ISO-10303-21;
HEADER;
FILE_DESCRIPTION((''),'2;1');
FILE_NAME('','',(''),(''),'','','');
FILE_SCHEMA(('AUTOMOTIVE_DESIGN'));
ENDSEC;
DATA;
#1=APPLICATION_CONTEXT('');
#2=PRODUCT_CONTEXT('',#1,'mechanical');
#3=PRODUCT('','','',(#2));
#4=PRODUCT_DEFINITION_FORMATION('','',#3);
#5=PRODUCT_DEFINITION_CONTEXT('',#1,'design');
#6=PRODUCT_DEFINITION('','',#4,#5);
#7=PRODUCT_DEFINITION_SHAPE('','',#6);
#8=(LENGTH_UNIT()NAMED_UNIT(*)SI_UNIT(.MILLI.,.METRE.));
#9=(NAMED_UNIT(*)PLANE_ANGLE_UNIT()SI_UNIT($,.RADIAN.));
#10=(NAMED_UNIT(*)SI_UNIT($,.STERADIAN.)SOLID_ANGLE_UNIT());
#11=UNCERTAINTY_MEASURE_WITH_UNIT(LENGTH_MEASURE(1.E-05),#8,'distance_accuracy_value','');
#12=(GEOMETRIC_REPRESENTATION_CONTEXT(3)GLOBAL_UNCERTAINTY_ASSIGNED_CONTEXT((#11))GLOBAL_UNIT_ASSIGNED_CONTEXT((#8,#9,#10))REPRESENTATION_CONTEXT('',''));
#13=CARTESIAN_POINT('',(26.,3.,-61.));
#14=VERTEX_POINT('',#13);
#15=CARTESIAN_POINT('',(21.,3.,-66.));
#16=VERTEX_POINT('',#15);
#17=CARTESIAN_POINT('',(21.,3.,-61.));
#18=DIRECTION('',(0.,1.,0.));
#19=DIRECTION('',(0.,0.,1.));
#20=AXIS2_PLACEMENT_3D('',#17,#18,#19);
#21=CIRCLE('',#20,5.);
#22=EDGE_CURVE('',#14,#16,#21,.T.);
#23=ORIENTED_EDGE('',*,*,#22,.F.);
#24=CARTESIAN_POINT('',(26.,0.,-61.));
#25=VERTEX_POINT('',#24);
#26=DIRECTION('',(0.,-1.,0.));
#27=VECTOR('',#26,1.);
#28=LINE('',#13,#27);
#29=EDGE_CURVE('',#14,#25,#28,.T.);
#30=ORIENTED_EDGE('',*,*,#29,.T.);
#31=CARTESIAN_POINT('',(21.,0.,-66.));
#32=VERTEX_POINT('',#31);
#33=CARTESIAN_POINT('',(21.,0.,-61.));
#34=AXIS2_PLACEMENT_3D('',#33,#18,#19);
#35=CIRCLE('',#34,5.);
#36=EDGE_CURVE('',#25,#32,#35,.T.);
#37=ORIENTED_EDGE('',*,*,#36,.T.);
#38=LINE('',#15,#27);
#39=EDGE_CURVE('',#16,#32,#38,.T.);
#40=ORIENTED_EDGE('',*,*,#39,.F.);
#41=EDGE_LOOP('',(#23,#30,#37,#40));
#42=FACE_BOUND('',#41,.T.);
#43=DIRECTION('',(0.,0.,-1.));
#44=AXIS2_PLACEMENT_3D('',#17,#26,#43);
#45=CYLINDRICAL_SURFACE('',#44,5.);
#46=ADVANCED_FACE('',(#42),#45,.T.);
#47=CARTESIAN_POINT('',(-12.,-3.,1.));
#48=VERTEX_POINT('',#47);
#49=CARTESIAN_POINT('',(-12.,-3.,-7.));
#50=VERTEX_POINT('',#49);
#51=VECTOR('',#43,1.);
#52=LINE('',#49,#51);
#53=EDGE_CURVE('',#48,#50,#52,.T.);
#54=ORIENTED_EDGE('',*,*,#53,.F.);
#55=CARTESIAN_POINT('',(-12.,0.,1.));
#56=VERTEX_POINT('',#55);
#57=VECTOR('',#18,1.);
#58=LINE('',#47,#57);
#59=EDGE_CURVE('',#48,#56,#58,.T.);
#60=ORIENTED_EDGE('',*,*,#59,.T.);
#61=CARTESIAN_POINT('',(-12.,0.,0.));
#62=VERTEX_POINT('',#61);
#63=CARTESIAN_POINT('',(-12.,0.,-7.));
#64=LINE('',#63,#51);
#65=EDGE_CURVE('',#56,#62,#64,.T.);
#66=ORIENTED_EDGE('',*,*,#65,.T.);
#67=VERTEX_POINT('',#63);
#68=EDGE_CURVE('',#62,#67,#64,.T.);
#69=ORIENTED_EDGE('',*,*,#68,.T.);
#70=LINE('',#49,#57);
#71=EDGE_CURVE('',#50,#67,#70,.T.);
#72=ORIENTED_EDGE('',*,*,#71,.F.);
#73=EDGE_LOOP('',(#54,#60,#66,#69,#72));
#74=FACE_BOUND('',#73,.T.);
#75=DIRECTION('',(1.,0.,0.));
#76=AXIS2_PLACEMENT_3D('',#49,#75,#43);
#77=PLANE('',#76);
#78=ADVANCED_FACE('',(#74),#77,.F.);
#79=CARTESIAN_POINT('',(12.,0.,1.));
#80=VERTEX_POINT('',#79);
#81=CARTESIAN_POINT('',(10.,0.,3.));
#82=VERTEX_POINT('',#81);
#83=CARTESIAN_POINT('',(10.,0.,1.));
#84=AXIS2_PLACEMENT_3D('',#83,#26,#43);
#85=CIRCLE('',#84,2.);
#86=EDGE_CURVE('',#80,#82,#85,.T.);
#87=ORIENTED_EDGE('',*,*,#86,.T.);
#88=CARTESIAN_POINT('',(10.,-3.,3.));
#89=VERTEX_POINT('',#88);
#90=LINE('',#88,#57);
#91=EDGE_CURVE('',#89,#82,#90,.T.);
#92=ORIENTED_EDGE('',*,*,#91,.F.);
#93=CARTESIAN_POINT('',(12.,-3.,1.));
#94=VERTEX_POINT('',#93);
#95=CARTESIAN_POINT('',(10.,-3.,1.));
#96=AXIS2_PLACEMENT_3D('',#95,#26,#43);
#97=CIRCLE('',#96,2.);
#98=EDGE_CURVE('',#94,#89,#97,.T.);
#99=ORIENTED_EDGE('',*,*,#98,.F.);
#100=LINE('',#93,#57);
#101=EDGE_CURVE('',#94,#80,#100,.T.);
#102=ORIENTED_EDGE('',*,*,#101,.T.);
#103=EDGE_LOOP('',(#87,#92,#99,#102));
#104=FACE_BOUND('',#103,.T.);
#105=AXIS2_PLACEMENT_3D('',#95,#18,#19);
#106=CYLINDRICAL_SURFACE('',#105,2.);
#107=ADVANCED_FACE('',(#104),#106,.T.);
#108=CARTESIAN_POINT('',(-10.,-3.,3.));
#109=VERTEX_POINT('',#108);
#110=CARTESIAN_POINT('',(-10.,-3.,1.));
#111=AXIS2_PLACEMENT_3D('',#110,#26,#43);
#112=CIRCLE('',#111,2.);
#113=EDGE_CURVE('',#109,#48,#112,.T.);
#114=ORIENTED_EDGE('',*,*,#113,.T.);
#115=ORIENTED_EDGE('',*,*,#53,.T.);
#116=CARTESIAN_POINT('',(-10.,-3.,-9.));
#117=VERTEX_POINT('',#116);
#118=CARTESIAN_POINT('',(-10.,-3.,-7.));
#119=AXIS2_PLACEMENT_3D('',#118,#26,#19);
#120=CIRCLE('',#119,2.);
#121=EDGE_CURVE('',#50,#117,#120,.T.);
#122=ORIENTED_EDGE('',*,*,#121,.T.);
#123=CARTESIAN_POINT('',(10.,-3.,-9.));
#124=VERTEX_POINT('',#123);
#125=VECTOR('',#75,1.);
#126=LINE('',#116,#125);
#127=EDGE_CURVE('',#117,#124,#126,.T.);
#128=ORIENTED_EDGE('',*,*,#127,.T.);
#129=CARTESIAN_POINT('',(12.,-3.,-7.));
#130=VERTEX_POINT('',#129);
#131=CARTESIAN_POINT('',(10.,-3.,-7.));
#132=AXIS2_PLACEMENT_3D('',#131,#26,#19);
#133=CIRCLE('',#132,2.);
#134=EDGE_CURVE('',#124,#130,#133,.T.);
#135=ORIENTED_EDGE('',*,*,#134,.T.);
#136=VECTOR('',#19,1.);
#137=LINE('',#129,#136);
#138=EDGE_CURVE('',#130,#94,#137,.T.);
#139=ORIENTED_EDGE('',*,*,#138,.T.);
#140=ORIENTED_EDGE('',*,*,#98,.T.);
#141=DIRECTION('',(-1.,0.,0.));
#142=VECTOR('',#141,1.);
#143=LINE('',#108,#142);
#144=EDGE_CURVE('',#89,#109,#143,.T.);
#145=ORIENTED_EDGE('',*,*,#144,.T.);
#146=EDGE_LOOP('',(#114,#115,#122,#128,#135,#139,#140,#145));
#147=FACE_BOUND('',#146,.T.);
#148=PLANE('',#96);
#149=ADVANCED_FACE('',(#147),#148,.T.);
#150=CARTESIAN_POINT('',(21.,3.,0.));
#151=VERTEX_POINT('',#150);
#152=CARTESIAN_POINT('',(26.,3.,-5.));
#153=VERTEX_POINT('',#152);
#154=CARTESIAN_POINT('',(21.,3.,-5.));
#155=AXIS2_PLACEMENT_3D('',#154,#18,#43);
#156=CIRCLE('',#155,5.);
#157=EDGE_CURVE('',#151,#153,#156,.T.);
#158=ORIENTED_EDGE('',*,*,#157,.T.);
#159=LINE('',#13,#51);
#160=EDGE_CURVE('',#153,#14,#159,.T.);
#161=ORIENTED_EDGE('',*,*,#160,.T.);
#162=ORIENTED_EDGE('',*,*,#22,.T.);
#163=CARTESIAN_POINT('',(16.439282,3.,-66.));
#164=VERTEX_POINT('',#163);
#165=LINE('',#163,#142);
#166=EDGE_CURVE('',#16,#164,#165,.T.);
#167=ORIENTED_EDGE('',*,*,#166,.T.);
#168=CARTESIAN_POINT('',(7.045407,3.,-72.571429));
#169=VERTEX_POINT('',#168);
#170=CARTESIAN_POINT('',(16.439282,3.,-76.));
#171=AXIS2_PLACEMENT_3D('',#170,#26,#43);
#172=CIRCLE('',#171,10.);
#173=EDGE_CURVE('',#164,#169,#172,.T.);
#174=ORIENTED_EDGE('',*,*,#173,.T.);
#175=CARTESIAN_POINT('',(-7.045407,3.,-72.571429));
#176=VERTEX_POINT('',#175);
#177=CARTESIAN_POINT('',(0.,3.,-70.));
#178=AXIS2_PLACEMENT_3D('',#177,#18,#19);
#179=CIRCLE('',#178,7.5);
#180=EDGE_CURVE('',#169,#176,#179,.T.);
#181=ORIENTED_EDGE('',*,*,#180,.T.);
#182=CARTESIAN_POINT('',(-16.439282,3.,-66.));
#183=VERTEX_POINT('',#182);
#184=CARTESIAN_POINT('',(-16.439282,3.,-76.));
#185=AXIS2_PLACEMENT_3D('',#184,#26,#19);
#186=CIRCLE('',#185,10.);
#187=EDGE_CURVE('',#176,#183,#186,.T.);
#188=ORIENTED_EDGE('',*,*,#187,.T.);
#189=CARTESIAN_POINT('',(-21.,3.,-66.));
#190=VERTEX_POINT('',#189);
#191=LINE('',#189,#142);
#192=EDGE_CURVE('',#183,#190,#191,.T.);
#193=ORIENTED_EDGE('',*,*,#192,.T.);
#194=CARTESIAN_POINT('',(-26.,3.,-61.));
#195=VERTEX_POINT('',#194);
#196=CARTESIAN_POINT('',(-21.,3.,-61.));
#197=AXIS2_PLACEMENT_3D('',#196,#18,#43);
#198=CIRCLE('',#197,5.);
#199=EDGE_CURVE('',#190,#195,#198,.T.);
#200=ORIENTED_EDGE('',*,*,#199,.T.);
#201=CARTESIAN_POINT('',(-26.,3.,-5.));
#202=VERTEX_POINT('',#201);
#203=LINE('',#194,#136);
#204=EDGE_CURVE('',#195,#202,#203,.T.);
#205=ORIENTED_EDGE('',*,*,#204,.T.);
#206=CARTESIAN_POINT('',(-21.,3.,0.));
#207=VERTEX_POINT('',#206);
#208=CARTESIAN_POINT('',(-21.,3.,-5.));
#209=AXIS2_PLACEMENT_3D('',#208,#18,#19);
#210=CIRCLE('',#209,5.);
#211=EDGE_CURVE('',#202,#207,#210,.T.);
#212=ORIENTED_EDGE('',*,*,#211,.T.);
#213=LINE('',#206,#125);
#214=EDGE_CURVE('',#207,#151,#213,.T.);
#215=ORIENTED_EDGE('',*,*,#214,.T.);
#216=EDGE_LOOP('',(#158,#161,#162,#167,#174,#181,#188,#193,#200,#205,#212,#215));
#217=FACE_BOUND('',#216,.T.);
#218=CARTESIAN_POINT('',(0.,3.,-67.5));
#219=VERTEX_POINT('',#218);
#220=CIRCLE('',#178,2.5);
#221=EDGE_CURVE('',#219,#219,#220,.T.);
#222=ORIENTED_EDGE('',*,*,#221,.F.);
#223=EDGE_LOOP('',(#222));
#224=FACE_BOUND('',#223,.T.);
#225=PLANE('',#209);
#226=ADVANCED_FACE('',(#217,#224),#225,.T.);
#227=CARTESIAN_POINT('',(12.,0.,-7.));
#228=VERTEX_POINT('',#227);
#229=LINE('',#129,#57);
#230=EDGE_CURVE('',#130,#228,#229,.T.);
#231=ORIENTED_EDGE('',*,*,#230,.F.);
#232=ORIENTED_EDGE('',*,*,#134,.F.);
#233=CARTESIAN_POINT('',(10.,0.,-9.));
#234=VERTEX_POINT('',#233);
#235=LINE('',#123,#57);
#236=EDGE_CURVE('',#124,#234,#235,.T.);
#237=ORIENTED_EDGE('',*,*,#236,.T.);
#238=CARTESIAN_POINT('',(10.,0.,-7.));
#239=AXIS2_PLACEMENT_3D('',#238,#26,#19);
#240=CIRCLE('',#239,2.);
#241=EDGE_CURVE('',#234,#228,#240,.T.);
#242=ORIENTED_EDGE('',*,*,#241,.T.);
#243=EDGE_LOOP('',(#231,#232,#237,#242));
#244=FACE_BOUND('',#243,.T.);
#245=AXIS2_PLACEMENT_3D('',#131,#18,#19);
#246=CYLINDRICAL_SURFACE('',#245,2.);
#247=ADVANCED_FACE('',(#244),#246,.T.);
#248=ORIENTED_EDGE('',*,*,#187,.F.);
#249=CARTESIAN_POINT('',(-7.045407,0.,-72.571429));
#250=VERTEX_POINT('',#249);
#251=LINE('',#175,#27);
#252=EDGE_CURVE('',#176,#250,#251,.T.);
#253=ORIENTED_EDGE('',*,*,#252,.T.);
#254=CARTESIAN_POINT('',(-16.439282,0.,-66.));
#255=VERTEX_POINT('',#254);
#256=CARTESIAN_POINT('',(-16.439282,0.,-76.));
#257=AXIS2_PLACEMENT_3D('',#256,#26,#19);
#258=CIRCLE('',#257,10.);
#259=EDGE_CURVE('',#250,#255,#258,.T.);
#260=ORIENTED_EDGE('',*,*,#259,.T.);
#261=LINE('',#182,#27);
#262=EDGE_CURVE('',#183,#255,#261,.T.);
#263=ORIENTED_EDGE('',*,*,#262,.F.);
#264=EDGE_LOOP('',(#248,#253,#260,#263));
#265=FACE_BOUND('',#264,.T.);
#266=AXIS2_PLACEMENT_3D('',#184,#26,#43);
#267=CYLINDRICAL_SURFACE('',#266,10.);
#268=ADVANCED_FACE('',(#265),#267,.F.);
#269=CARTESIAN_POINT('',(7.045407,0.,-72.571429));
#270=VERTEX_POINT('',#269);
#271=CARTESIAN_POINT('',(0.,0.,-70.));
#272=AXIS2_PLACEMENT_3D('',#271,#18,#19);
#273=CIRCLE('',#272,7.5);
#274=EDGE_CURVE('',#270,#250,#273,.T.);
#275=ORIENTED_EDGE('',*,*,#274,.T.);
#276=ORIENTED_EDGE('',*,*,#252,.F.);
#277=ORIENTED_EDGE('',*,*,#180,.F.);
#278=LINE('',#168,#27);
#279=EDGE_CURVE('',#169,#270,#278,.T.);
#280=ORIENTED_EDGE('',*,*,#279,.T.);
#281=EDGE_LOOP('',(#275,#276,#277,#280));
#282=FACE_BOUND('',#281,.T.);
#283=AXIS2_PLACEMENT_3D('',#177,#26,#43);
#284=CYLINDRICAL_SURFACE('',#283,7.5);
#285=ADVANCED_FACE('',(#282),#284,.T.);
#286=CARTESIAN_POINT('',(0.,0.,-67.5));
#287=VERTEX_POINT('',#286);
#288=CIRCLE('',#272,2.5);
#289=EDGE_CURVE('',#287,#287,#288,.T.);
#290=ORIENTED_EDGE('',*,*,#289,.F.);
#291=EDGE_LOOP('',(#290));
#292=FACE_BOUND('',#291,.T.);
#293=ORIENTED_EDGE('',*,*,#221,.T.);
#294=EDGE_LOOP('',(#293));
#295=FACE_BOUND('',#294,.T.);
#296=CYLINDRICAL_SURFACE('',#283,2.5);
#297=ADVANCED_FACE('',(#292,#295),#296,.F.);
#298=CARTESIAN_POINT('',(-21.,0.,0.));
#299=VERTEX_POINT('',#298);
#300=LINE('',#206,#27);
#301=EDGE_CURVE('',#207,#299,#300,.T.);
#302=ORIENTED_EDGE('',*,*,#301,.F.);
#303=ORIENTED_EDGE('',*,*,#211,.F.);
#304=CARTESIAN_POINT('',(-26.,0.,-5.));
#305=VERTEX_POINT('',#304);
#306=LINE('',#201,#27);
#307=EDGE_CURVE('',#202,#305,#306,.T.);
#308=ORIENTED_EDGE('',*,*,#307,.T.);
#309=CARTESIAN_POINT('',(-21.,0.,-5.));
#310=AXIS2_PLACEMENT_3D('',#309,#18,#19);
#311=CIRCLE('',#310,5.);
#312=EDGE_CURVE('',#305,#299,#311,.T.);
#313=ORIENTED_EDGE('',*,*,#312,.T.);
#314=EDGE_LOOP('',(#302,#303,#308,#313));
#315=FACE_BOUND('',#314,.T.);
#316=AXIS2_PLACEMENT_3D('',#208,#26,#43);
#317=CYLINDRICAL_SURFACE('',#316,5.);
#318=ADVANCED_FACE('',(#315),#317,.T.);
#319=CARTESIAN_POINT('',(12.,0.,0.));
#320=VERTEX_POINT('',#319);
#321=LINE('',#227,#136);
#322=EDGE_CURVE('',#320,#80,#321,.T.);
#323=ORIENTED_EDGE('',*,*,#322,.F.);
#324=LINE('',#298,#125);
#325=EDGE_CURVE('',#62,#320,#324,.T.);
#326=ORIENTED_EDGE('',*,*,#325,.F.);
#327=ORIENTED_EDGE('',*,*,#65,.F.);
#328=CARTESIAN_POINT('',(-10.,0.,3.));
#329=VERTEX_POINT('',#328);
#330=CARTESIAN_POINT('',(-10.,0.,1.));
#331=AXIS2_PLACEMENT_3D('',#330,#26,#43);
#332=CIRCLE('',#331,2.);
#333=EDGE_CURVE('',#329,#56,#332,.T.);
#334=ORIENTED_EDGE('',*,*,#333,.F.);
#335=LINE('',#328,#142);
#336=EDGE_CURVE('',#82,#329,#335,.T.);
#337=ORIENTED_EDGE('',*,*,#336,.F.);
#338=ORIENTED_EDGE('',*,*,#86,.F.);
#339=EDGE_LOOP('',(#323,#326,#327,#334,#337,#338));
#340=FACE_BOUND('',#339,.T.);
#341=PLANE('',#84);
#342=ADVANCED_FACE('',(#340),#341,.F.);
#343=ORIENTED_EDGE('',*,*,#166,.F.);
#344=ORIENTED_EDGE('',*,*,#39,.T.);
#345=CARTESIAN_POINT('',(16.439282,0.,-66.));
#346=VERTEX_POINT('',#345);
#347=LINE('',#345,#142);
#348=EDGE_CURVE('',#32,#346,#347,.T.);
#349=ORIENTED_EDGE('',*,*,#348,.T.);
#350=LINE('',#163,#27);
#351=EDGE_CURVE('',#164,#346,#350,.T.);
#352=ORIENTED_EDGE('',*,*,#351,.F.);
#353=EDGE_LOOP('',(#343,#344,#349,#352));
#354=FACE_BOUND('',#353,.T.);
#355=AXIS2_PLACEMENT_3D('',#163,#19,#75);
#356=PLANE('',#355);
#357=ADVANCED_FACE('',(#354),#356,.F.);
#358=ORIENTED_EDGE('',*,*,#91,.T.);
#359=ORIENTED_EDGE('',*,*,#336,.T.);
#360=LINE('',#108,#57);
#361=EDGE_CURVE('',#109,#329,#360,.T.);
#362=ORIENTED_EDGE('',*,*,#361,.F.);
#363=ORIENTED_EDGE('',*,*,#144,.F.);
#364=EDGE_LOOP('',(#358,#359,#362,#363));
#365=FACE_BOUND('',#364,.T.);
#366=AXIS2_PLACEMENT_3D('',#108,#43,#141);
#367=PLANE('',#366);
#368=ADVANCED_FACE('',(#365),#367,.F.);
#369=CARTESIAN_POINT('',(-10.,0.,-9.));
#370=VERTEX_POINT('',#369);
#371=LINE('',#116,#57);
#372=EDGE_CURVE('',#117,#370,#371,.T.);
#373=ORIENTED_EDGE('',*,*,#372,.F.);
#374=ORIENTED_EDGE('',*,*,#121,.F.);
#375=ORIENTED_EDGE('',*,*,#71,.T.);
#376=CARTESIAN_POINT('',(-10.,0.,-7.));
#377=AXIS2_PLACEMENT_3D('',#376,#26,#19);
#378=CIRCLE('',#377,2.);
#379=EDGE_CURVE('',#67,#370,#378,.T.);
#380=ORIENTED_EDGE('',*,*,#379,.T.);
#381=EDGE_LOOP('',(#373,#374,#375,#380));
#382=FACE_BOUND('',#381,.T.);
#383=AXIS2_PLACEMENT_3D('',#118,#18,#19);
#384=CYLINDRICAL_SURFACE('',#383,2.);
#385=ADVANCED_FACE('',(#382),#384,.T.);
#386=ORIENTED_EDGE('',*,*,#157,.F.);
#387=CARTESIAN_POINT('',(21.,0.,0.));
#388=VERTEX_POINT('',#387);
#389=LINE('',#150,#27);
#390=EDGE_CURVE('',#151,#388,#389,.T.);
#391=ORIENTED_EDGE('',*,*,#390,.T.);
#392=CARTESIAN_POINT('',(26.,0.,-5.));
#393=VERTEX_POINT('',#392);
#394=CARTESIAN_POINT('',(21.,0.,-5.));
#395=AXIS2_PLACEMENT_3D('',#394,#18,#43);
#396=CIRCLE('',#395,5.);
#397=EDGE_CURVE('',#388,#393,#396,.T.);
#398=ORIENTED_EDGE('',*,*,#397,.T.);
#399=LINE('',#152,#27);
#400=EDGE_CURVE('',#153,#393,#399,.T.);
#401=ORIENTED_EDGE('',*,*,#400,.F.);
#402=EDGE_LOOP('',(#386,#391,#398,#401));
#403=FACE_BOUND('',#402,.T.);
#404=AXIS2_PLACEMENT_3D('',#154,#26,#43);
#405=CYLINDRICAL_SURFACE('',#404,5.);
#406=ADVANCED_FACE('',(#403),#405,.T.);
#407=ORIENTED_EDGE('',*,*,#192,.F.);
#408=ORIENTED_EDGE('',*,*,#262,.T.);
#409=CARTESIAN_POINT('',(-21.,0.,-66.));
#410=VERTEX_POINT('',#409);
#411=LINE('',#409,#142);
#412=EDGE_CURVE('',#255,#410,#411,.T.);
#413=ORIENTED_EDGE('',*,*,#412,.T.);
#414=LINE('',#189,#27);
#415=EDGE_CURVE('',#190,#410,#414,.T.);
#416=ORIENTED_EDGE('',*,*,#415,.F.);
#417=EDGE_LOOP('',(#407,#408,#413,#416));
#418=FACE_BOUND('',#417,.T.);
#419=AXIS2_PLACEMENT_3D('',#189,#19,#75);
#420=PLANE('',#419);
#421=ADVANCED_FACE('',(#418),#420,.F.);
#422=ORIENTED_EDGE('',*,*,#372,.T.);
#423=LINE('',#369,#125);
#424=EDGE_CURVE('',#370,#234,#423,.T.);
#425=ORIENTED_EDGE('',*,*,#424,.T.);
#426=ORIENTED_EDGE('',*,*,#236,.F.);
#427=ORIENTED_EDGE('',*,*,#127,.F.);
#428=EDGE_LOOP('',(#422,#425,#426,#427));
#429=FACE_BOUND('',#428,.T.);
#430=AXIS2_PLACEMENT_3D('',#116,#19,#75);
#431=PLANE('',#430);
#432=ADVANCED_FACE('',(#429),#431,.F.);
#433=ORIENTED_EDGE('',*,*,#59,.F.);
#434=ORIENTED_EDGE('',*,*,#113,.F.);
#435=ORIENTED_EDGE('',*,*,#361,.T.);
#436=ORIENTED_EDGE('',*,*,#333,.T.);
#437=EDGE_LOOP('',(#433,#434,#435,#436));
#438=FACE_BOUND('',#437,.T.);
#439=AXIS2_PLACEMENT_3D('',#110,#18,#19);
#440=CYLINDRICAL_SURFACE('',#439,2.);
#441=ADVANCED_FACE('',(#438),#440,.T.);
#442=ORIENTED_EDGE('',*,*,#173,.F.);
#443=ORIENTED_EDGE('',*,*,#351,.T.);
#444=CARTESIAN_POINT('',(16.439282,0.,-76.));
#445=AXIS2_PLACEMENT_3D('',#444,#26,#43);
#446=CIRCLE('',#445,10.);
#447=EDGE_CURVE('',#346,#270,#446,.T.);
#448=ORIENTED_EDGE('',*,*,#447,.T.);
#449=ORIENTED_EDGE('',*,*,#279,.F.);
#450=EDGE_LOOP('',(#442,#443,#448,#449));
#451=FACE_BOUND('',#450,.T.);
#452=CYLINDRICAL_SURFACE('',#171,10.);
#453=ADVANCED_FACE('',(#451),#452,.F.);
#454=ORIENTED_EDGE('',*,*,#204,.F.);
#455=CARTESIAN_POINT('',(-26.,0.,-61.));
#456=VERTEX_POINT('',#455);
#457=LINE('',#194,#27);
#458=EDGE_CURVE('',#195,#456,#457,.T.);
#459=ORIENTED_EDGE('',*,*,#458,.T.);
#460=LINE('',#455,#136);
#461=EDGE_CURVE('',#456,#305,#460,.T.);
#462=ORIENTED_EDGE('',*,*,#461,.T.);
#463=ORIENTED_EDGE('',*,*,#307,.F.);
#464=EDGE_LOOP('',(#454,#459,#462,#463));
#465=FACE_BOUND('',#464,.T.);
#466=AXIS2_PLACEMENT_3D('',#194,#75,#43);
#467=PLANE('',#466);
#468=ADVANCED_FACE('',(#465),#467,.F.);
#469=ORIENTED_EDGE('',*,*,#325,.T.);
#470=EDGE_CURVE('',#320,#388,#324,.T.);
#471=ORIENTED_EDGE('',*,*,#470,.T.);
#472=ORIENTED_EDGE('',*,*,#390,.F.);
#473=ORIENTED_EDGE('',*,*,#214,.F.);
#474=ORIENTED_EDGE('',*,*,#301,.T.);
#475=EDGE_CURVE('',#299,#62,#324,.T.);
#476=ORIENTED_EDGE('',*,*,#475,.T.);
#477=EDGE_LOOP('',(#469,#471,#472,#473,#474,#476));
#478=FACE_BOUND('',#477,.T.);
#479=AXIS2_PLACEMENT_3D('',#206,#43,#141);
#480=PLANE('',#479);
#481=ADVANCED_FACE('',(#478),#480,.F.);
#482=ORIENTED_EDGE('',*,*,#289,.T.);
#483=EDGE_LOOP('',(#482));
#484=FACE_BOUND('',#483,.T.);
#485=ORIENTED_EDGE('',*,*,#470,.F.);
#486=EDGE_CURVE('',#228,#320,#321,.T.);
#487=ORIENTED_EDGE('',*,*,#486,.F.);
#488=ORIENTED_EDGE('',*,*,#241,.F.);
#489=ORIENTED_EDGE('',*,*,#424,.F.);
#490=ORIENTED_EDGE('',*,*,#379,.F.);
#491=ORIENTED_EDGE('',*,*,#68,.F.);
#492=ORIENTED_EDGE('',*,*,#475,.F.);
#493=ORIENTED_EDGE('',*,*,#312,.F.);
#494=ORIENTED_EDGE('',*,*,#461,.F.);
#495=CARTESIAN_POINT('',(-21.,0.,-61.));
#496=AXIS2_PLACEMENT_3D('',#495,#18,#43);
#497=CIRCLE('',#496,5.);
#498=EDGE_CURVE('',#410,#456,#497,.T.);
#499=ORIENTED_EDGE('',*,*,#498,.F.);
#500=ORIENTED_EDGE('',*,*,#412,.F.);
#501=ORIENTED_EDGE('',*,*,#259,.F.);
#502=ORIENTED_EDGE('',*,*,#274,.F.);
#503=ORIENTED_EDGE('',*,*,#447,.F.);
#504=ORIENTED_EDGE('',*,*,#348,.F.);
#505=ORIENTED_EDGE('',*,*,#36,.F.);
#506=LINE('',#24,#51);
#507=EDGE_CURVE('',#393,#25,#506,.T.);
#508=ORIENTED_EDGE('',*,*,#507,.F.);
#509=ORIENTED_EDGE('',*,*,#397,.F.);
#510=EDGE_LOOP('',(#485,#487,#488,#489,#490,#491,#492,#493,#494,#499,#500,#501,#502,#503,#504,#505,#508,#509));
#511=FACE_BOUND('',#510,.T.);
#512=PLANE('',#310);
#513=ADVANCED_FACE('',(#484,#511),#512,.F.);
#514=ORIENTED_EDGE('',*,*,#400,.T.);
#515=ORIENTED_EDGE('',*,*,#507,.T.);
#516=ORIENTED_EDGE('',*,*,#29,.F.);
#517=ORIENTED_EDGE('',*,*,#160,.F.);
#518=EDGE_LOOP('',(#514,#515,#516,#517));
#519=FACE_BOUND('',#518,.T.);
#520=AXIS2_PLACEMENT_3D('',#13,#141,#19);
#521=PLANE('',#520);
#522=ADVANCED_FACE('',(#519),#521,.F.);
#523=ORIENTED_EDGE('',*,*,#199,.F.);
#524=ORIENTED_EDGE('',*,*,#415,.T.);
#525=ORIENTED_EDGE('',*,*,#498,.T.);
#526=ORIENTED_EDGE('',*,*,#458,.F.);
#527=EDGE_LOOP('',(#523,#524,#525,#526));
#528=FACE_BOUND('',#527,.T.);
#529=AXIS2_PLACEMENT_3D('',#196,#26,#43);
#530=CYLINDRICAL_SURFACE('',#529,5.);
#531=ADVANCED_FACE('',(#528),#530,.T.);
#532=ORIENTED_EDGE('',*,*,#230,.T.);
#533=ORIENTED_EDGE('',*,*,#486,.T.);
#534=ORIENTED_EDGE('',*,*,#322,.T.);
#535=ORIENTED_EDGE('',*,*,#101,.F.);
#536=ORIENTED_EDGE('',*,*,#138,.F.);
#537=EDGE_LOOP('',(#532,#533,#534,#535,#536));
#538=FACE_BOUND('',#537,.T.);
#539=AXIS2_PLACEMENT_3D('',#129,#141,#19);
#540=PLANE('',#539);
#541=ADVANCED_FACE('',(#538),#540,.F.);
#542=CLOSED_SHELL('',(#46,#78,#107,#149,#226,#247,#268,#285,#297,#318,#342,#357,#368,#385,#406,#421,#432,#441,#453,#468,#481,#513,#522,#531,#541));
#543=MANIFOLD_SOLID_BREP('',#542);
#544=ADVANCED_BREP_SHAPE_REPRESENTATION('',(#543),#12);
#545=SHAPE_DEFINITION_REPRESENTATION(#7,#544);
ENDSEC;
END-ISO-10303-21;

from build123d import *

# Parameters (mm, degrees)
SKETCH1_R           = 2.5
BOSS_EXTRUDE1_DEPTH = 3
BOSS_EXTRUDE2_DEPTH = 3


with BuildPart() as part:
    # Sketch1 → Boss-Extrude1 (new body)
    with BuildSketch(Plane(origin=(0, 0, 0), x_dir=(1, 0, 0), z_dir=(0, 1, 0))):
        with BuildLine():
            Line((-21, 66), (-16.439282223, 66))
            ThreePointArc((-16.439282223, 66), (-10.707167181, 67.805925486), (-7.045406667, 72.571428571))
            ThreePointArc((-7.045406667, 72.571428571), (0, 77.5), (7.045406667, 72.571428571))
            ThreePointArc((7.045406667, 72.571428571), (10.707167181, 67.805925486), (16.439282223, 66))
            Line((16.439282223, 66), (21, 66))
            ThreePointArc((21, 66), (24.535533906, 64.535533906), (26, 61))
            Line((26, 61), (26, 5))
            ThreePointArc((26, 5), (24.535533906, 1.464466094), (21, 0))
            Line((21, 0), (-21, 0))
            ThreePointArc((-21, 0), (-24.535533906, 1.464466094), (-26, 5))
            Line((-26, 5), (-26, 61))
            ThreePointArc((-26, 61), (-24.535533906, 64.535533906), (-21, 66))
        make_face()
        with Locations(Location((0, 70, 0), (0, 0, 270))):
            Circle(SKETCH1_R, mode=Mode.SUBTRACT)
    extrude(amount=BOSS_EXTRUDE1_DEPTH)

    # Sketch2 → Boss-Extrude2 (add)
    with BuildSketch(Plane.XZ):
        with BuildLine():
            Line((-10, -9), (10, -9))
            ThreePointArc((10, -9), (11.414213562, -8.414213562), (12, -7))
            Line((12, -7), (12, 1))
            ThreePointArc((12, 1), (11.414213562, 2.414213562), (10, 3))
            Line((10, 3), (-10, 3))
            ThreePointArc((-10, 3), (-11.414213562, 2.414213562), (-12, 1))
            Line((-12, 1), (-12, -7))
            ThreePointArc((-12, -7), (-11.414213562, -8.414213562), (-10, -9))
        make_face()
    extrude(amount=BOSS_EXTRUDE2_DEPTH)


solid = part.part
